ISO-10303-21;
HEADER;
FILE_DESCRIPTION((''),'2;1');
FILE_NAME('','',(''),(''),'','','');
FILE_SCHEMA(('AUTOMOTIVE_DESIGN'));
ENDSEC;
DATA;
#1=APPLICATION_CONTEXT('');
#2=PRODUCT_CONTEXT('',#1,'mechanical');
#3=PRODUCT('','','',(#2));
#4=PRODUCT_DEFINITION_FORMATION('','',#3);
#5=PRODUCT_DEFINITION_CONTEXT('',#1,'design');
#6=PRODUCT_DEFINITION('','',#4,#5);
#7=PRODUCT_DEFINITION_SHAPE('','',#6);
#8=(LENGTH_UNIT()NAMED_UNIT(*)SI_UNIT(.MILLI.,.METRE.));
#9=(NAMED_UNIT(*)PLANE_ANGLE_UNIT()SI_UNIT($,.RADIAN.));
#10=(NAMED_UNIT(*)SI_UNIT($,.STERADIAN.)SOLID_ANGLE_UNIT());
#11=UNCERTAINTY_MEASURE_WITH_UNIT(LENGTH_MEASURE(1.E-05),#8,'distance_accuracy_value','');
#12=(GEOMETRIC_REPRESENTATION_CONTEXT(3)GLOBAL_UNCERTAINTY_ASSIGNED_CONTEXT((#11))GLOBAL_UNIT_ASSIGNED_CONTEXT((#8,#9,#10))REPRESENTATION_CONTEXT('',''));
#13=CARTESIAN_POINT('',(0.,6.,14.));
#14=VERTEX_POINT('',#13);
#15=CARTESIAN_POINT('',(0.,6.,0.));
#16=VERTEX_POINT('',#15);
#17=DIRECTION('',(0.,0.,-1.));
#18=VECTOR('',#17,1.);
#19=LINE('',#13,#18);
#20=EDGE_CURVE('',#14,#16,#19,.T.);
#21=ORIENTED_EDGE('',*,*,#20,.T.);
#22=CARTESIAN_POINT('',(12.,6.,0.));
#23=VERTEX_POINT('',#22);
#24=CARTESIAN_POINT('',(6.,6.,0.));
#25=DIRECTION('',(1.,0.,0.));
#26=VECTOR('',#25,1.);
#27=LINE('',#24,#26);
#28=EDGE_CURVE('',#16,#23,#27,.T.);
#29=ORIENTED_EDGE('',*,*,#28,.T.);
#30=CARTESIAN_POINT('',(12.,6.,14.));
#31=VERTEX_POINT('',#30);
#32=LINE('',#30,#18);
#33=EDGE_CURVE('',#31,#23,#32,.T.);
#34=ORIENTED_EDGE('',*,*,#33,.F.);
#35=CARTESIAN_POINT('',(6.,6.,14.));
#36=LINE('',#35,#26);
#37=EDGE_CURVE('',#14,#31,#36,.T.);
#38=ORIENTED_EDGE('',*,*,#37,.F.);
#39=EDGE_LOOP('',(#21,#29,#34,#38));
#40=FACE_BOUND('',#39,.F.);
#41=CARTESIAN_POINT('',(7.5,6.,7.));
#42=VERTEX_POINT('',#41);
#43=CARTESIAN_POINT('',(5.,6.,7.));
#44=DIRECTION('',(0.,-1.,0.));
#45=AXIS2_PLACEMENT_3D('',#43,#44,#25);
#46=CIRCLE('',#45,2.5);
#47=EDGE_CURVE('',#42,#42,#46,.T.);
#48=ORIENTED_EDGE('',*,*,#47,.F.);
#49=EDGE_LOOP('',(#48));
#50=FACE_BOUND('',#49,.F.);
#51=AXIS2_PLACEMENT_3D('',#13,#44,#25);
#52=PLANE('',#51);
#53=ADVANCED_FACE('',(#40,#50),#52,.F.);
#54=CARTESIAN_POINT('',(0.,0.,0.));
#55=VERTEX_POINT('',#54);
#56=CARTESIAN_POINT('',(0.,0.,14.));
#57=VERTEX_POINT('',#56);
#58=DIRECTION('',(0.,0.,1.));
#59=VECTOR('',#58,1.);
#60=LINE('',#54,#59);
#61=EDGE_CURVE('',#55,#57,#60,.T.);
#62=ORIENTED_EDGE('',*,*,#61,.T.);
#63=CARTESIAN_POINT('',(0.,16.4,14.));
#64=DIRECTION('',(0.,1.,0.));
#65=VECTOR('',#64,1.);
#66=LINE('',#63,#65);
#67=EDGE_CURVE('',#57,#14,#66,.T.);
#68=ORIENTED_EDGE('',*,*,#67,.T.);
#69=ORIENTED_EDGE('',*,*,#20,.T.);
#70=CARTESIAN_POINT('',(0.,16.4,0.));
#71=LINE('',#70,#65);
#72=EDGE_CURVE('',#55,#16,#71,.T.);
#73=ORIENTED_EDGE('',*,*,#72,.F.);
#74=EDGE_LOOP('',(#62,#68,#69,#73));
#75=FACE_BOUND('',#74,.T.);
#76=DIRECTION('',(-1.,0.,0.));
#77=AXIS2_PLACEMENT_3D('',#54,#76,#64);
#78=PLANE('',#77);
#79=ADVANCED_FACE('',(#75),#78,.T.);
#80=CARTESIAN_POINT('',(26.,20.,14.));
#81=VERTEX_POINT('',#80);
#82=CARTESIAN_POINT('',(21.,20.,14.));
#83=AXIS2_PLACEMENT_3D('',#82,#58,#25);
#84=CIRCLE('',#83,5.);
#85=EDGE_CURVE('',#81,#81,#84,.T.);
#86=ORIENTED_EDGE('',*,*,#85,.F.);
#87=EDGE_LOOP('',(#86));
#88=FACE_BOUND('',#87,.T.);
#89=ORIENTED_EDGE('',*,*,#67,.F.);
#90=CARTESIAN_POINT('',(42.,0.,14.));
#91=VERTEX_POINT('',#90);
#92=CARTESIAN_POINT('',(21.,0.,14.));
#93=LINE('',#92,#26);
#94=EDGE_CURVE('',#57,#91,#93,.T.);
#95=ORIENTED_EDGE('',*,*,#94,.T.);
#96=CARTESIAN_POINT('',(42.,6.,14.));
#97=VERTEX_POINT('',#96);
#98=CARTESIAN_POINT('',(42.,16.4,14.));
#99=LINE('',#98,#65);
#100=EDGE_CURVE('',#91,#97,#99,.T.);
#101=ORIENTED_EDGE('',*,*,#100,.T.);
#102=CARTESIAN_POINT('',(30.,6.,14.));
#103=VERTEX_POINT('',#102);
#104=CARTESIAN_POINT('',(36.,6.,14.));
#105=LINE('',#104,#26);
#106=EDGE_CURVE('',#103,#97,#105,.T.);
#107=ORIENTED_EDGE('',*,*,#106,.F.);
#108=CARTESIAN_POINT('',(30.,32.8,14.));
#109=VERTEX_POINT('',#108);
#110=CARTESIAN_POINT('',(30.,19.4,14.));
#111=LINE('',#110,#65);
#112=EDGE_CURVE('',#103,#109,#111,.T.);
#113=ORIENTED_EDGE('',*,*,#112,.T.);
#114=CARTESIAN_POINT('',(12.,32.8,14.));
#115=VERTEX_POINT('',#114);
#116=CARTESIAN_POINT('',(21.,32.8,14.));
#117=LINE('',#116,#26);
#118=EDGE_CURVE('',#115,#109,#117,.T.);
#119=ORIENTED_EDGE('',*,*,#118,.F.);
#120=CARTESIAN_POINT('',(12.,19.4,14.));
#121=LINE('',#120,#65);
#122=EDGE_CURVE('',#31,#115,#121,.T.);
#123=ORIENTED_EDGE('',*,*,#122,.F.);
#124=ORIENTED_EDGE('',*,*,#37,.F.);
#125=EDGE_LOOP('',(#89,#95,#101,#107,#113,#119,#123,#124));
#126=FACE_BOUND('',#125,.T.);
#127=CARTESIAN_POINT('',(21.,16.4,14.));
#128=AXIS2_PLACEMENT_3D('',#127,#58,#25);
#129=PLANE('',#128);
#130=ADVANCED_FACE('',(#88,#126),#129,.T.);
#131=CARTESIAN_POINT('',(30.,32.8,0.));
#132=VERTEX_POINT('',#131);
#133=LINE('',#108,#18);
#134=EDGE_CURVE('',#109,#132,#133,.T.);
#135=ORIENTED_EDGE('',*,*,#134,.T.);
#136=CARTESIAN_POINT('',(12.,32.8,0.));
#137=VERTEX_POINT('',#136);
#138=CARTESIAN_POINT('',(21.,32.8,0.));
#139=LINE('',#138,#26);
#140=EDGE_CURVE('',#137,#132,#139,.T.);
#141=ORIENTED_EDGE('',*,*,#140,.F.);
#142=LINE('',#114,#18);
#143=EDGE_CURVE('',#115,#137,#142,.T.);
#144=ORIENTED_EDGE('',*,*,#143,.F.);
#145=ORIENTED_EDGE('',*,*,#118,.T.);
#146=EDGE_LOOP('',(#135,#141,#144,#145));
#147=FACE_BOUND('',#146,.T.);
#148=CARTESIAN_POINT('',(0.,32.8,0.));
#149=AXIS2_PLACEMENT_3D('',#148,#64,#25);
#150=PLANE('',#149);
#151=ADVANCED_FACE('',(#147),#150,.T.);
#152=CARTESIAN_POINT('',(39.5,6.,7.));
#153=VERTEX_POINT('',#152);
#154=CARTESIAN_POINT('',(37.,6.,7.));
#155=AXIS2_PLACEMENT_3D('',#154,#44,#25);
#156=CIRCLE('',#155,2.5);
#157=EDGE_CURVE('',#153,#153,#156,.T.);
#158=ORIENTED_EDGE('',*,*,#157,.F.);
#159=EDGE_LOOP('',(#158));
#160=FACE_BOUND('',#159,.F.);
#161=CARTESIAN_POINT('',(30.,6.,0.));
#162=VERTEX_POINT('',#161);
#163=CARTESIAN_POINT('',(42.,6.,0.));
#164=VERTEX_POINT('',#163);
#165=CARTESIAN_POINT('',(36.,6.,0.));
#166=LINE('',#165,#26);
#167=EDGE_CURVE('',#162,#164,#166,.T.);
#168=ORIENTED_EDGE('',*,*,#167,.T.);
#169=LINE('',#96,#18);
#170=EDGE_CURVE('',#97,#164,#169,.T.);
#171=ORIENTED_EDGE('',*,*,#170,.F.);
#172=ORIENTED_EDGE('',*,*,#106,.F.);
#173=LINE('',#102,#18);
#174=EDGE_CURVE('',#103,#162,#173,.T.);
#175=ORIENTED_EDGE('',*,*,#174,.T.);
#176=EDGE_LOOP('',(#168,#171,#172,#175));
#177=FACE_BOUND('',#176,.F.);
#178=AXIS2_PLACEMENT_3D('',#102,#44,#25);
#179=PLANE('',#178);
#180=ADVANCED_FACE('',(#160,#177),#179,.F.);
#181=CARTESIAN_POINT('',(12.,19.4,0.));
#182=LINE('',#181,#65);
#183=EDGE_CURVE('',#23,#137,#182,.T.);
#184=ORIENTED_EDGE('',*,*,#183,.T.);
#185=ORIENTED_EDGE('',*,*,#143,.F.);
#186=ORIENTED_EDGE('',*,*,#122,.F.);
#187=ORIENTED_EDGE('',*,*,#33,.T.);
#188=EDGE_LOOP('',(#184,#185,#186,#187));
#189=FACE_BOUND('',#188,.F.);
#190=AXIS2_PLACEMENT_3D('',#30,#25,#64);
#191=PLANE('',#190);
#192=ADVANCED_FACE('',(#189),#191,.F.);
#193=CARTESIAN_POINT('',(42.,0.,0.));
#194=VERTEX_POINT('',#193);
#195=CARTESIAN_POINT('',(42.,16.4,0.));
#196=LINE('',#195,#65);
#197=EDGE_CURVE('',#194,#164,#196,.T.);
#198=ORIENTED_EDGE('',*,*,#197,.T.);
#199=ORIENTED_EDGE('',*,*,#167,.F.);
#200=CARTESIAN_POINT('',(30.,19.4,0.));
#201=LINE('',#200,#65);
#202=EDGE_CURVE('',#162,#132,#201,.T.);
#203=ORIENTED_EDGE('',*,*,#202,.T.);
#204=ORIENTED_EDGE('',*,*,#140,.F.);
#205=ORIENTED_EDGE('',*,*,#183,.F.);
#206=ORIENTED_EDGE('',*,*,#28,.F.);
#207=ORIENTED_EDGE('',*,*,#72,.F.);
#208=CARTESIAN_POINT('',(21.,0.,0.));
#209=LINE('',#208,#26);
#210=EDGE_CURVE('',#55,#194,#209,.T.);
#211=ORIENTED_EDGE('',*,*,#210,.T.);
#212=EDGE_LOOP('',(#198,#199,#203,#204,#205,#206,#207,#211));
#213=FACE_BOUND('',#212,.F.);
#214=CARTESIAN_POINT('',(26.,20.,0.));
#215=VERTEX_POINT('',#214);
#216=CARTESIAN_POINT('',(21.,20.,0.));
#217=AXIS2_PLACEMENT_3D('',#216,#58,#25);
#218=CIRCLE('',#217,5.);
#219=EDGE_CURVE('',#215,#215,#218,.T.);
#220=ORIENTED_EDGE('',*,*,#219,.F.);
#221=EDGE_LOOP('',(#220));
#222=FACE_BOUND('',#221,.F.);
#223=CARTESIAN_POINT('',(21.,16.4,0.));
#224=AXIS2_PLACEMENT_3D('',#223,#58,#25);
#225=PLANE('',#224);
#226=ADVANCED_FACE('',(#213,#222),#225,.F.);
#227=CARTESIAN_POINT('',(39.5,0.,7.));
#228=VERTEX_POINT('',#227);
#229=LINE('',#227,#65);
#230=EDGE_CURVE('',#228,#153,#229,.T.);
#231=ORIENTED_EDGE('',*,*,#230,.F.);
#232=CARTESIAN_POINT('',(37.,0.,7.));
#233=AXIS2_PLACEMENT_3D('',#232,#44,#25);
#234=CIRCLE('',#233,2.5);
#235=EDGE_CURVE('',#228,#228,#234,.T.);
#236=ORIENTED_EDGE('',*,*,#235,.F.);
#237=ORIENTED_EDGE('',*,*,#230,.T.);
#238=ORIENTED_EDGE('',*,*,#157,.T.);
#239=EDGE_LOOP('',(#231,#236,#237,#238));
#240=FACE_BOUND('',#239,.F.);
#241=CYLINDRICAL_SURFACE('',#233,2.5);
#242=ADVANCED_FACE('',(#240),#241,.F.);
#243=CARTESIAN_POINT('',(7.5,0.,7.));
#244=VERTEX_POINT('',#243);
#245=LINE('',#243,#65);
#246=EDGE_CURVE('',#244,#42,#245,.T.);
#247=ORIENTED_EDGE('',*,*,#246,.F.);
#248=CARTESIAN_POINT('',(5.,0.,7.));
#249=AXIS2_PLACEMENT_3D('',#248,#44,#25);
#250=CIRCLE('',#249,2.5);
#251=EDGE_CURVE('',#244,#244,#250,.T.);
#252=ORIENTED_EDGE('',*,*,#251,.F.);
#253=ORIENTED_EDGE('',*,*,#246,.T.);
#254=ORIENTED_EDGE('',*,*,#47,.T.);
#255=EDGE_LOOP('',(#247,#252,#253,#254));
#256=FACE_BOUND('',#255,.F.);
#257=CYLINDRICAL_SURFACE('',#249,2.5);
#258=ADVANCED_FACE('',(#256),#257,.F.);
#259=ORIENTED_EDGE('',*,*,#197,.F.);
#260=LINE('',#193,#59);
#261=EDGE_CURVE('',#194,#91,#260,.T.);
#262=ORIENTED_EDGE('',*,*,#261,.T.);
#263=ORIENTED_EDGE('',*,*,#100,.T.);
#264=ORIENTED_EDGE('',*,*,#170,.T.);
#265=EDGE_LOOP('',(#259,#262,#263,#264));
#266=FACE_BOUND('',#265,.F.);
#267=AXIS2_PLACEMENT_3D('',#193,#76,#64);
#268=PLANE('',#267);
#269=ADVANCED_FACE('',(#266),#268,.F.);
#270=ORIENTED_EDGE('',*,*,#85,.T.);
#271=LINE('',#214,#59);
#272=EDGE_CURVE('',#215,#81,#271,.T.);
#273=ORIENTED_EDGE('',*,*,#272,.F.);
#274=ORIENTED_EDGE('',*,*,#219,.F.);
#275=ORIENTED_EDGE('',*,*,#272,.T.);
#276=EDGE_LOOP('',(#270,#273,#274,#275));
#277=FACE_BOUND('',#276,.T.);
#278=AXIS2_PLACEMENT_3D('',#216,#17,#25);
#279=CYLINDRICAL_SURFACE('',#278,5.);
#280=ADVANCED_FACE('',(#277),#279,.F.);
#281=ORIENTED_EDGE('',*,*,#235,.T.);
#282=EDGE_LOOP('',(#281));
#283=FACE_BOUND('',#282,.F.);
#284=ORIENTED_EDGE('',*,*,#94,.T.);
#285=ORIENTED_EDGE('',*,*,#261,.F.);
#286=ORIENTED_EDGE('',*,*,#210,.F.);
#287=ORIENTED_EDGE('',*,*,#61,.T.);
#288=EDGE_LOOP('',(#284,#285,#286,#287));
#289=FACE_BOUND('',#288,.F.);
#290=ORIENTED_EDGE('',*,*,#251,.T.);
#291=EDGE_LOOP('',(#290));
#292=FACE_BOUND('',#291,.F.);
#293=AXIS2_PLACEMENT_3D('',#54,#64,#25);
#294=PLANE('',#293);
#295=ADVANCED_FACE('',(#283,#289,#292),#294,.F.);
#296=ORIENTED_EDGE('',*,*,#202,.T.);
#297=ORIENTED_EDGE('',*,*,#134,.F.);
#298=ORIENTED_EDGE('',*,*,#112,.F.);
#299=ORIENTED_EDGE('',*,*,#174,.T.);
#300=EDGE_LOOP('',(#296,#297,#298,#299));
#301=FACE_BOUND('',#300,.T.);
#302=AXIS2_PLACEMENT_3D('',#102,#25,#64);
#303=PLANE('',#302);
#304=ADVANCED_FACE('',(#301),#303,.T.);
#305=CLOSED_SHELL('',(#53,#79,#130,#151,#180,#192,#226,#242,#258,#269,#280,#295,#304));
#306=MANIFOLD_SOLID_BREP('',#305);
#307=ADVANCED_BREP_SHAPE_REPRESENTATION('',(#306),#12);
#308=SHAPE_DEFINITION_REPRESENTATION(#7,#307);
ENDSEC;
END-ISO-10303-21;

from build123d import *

# Parameters (mm, degrees)
F0_W     = 42
F0_H     = 32.8
F0_R     = 5
F1_DEPTH = 14
F2_W     = 12
F2_H     = 26.8
F3_DEPTH = 14
F4_R     = 2.5
F5_DEPTH = 25.4


with BuildPart() as f1:
    # F0 (on Top) → F1 (new body)
    with BuildSketch(Plane.XY):
        with Locations((21, 16.4)):
            Rectangle(F0_W, F0_H)
        with Locations((21, 20)):
            Circle(F0_R, mode=Mode.SUBTRACT)
    extrude(amount=F1_DEPTH)

    # F2 (on face) → F3 (cut)
    with BuildSketch(Plane.XY.offset(14)):
        with Locations((6, 19.4)):
            Rectangle(F2_W, F2_H)
        with Locations((36, 19.4)):
            Rectangle(F2_W, F2_H)
    extrude(amount=-F3_DEPTH, mode=Mode.SUBTRACT)

    # F4 (on face) → F5 (cut)
    with BuildSketch(Plane.XZ):
        with Locations((5, 7)):
            Circle(F4_R)
        with Locations((37, 7)):
            Circle(F4_R)
    extrude(amount=-F5_DEPTH, mode=Mode.SUBTRACT)


solid = f1.part
